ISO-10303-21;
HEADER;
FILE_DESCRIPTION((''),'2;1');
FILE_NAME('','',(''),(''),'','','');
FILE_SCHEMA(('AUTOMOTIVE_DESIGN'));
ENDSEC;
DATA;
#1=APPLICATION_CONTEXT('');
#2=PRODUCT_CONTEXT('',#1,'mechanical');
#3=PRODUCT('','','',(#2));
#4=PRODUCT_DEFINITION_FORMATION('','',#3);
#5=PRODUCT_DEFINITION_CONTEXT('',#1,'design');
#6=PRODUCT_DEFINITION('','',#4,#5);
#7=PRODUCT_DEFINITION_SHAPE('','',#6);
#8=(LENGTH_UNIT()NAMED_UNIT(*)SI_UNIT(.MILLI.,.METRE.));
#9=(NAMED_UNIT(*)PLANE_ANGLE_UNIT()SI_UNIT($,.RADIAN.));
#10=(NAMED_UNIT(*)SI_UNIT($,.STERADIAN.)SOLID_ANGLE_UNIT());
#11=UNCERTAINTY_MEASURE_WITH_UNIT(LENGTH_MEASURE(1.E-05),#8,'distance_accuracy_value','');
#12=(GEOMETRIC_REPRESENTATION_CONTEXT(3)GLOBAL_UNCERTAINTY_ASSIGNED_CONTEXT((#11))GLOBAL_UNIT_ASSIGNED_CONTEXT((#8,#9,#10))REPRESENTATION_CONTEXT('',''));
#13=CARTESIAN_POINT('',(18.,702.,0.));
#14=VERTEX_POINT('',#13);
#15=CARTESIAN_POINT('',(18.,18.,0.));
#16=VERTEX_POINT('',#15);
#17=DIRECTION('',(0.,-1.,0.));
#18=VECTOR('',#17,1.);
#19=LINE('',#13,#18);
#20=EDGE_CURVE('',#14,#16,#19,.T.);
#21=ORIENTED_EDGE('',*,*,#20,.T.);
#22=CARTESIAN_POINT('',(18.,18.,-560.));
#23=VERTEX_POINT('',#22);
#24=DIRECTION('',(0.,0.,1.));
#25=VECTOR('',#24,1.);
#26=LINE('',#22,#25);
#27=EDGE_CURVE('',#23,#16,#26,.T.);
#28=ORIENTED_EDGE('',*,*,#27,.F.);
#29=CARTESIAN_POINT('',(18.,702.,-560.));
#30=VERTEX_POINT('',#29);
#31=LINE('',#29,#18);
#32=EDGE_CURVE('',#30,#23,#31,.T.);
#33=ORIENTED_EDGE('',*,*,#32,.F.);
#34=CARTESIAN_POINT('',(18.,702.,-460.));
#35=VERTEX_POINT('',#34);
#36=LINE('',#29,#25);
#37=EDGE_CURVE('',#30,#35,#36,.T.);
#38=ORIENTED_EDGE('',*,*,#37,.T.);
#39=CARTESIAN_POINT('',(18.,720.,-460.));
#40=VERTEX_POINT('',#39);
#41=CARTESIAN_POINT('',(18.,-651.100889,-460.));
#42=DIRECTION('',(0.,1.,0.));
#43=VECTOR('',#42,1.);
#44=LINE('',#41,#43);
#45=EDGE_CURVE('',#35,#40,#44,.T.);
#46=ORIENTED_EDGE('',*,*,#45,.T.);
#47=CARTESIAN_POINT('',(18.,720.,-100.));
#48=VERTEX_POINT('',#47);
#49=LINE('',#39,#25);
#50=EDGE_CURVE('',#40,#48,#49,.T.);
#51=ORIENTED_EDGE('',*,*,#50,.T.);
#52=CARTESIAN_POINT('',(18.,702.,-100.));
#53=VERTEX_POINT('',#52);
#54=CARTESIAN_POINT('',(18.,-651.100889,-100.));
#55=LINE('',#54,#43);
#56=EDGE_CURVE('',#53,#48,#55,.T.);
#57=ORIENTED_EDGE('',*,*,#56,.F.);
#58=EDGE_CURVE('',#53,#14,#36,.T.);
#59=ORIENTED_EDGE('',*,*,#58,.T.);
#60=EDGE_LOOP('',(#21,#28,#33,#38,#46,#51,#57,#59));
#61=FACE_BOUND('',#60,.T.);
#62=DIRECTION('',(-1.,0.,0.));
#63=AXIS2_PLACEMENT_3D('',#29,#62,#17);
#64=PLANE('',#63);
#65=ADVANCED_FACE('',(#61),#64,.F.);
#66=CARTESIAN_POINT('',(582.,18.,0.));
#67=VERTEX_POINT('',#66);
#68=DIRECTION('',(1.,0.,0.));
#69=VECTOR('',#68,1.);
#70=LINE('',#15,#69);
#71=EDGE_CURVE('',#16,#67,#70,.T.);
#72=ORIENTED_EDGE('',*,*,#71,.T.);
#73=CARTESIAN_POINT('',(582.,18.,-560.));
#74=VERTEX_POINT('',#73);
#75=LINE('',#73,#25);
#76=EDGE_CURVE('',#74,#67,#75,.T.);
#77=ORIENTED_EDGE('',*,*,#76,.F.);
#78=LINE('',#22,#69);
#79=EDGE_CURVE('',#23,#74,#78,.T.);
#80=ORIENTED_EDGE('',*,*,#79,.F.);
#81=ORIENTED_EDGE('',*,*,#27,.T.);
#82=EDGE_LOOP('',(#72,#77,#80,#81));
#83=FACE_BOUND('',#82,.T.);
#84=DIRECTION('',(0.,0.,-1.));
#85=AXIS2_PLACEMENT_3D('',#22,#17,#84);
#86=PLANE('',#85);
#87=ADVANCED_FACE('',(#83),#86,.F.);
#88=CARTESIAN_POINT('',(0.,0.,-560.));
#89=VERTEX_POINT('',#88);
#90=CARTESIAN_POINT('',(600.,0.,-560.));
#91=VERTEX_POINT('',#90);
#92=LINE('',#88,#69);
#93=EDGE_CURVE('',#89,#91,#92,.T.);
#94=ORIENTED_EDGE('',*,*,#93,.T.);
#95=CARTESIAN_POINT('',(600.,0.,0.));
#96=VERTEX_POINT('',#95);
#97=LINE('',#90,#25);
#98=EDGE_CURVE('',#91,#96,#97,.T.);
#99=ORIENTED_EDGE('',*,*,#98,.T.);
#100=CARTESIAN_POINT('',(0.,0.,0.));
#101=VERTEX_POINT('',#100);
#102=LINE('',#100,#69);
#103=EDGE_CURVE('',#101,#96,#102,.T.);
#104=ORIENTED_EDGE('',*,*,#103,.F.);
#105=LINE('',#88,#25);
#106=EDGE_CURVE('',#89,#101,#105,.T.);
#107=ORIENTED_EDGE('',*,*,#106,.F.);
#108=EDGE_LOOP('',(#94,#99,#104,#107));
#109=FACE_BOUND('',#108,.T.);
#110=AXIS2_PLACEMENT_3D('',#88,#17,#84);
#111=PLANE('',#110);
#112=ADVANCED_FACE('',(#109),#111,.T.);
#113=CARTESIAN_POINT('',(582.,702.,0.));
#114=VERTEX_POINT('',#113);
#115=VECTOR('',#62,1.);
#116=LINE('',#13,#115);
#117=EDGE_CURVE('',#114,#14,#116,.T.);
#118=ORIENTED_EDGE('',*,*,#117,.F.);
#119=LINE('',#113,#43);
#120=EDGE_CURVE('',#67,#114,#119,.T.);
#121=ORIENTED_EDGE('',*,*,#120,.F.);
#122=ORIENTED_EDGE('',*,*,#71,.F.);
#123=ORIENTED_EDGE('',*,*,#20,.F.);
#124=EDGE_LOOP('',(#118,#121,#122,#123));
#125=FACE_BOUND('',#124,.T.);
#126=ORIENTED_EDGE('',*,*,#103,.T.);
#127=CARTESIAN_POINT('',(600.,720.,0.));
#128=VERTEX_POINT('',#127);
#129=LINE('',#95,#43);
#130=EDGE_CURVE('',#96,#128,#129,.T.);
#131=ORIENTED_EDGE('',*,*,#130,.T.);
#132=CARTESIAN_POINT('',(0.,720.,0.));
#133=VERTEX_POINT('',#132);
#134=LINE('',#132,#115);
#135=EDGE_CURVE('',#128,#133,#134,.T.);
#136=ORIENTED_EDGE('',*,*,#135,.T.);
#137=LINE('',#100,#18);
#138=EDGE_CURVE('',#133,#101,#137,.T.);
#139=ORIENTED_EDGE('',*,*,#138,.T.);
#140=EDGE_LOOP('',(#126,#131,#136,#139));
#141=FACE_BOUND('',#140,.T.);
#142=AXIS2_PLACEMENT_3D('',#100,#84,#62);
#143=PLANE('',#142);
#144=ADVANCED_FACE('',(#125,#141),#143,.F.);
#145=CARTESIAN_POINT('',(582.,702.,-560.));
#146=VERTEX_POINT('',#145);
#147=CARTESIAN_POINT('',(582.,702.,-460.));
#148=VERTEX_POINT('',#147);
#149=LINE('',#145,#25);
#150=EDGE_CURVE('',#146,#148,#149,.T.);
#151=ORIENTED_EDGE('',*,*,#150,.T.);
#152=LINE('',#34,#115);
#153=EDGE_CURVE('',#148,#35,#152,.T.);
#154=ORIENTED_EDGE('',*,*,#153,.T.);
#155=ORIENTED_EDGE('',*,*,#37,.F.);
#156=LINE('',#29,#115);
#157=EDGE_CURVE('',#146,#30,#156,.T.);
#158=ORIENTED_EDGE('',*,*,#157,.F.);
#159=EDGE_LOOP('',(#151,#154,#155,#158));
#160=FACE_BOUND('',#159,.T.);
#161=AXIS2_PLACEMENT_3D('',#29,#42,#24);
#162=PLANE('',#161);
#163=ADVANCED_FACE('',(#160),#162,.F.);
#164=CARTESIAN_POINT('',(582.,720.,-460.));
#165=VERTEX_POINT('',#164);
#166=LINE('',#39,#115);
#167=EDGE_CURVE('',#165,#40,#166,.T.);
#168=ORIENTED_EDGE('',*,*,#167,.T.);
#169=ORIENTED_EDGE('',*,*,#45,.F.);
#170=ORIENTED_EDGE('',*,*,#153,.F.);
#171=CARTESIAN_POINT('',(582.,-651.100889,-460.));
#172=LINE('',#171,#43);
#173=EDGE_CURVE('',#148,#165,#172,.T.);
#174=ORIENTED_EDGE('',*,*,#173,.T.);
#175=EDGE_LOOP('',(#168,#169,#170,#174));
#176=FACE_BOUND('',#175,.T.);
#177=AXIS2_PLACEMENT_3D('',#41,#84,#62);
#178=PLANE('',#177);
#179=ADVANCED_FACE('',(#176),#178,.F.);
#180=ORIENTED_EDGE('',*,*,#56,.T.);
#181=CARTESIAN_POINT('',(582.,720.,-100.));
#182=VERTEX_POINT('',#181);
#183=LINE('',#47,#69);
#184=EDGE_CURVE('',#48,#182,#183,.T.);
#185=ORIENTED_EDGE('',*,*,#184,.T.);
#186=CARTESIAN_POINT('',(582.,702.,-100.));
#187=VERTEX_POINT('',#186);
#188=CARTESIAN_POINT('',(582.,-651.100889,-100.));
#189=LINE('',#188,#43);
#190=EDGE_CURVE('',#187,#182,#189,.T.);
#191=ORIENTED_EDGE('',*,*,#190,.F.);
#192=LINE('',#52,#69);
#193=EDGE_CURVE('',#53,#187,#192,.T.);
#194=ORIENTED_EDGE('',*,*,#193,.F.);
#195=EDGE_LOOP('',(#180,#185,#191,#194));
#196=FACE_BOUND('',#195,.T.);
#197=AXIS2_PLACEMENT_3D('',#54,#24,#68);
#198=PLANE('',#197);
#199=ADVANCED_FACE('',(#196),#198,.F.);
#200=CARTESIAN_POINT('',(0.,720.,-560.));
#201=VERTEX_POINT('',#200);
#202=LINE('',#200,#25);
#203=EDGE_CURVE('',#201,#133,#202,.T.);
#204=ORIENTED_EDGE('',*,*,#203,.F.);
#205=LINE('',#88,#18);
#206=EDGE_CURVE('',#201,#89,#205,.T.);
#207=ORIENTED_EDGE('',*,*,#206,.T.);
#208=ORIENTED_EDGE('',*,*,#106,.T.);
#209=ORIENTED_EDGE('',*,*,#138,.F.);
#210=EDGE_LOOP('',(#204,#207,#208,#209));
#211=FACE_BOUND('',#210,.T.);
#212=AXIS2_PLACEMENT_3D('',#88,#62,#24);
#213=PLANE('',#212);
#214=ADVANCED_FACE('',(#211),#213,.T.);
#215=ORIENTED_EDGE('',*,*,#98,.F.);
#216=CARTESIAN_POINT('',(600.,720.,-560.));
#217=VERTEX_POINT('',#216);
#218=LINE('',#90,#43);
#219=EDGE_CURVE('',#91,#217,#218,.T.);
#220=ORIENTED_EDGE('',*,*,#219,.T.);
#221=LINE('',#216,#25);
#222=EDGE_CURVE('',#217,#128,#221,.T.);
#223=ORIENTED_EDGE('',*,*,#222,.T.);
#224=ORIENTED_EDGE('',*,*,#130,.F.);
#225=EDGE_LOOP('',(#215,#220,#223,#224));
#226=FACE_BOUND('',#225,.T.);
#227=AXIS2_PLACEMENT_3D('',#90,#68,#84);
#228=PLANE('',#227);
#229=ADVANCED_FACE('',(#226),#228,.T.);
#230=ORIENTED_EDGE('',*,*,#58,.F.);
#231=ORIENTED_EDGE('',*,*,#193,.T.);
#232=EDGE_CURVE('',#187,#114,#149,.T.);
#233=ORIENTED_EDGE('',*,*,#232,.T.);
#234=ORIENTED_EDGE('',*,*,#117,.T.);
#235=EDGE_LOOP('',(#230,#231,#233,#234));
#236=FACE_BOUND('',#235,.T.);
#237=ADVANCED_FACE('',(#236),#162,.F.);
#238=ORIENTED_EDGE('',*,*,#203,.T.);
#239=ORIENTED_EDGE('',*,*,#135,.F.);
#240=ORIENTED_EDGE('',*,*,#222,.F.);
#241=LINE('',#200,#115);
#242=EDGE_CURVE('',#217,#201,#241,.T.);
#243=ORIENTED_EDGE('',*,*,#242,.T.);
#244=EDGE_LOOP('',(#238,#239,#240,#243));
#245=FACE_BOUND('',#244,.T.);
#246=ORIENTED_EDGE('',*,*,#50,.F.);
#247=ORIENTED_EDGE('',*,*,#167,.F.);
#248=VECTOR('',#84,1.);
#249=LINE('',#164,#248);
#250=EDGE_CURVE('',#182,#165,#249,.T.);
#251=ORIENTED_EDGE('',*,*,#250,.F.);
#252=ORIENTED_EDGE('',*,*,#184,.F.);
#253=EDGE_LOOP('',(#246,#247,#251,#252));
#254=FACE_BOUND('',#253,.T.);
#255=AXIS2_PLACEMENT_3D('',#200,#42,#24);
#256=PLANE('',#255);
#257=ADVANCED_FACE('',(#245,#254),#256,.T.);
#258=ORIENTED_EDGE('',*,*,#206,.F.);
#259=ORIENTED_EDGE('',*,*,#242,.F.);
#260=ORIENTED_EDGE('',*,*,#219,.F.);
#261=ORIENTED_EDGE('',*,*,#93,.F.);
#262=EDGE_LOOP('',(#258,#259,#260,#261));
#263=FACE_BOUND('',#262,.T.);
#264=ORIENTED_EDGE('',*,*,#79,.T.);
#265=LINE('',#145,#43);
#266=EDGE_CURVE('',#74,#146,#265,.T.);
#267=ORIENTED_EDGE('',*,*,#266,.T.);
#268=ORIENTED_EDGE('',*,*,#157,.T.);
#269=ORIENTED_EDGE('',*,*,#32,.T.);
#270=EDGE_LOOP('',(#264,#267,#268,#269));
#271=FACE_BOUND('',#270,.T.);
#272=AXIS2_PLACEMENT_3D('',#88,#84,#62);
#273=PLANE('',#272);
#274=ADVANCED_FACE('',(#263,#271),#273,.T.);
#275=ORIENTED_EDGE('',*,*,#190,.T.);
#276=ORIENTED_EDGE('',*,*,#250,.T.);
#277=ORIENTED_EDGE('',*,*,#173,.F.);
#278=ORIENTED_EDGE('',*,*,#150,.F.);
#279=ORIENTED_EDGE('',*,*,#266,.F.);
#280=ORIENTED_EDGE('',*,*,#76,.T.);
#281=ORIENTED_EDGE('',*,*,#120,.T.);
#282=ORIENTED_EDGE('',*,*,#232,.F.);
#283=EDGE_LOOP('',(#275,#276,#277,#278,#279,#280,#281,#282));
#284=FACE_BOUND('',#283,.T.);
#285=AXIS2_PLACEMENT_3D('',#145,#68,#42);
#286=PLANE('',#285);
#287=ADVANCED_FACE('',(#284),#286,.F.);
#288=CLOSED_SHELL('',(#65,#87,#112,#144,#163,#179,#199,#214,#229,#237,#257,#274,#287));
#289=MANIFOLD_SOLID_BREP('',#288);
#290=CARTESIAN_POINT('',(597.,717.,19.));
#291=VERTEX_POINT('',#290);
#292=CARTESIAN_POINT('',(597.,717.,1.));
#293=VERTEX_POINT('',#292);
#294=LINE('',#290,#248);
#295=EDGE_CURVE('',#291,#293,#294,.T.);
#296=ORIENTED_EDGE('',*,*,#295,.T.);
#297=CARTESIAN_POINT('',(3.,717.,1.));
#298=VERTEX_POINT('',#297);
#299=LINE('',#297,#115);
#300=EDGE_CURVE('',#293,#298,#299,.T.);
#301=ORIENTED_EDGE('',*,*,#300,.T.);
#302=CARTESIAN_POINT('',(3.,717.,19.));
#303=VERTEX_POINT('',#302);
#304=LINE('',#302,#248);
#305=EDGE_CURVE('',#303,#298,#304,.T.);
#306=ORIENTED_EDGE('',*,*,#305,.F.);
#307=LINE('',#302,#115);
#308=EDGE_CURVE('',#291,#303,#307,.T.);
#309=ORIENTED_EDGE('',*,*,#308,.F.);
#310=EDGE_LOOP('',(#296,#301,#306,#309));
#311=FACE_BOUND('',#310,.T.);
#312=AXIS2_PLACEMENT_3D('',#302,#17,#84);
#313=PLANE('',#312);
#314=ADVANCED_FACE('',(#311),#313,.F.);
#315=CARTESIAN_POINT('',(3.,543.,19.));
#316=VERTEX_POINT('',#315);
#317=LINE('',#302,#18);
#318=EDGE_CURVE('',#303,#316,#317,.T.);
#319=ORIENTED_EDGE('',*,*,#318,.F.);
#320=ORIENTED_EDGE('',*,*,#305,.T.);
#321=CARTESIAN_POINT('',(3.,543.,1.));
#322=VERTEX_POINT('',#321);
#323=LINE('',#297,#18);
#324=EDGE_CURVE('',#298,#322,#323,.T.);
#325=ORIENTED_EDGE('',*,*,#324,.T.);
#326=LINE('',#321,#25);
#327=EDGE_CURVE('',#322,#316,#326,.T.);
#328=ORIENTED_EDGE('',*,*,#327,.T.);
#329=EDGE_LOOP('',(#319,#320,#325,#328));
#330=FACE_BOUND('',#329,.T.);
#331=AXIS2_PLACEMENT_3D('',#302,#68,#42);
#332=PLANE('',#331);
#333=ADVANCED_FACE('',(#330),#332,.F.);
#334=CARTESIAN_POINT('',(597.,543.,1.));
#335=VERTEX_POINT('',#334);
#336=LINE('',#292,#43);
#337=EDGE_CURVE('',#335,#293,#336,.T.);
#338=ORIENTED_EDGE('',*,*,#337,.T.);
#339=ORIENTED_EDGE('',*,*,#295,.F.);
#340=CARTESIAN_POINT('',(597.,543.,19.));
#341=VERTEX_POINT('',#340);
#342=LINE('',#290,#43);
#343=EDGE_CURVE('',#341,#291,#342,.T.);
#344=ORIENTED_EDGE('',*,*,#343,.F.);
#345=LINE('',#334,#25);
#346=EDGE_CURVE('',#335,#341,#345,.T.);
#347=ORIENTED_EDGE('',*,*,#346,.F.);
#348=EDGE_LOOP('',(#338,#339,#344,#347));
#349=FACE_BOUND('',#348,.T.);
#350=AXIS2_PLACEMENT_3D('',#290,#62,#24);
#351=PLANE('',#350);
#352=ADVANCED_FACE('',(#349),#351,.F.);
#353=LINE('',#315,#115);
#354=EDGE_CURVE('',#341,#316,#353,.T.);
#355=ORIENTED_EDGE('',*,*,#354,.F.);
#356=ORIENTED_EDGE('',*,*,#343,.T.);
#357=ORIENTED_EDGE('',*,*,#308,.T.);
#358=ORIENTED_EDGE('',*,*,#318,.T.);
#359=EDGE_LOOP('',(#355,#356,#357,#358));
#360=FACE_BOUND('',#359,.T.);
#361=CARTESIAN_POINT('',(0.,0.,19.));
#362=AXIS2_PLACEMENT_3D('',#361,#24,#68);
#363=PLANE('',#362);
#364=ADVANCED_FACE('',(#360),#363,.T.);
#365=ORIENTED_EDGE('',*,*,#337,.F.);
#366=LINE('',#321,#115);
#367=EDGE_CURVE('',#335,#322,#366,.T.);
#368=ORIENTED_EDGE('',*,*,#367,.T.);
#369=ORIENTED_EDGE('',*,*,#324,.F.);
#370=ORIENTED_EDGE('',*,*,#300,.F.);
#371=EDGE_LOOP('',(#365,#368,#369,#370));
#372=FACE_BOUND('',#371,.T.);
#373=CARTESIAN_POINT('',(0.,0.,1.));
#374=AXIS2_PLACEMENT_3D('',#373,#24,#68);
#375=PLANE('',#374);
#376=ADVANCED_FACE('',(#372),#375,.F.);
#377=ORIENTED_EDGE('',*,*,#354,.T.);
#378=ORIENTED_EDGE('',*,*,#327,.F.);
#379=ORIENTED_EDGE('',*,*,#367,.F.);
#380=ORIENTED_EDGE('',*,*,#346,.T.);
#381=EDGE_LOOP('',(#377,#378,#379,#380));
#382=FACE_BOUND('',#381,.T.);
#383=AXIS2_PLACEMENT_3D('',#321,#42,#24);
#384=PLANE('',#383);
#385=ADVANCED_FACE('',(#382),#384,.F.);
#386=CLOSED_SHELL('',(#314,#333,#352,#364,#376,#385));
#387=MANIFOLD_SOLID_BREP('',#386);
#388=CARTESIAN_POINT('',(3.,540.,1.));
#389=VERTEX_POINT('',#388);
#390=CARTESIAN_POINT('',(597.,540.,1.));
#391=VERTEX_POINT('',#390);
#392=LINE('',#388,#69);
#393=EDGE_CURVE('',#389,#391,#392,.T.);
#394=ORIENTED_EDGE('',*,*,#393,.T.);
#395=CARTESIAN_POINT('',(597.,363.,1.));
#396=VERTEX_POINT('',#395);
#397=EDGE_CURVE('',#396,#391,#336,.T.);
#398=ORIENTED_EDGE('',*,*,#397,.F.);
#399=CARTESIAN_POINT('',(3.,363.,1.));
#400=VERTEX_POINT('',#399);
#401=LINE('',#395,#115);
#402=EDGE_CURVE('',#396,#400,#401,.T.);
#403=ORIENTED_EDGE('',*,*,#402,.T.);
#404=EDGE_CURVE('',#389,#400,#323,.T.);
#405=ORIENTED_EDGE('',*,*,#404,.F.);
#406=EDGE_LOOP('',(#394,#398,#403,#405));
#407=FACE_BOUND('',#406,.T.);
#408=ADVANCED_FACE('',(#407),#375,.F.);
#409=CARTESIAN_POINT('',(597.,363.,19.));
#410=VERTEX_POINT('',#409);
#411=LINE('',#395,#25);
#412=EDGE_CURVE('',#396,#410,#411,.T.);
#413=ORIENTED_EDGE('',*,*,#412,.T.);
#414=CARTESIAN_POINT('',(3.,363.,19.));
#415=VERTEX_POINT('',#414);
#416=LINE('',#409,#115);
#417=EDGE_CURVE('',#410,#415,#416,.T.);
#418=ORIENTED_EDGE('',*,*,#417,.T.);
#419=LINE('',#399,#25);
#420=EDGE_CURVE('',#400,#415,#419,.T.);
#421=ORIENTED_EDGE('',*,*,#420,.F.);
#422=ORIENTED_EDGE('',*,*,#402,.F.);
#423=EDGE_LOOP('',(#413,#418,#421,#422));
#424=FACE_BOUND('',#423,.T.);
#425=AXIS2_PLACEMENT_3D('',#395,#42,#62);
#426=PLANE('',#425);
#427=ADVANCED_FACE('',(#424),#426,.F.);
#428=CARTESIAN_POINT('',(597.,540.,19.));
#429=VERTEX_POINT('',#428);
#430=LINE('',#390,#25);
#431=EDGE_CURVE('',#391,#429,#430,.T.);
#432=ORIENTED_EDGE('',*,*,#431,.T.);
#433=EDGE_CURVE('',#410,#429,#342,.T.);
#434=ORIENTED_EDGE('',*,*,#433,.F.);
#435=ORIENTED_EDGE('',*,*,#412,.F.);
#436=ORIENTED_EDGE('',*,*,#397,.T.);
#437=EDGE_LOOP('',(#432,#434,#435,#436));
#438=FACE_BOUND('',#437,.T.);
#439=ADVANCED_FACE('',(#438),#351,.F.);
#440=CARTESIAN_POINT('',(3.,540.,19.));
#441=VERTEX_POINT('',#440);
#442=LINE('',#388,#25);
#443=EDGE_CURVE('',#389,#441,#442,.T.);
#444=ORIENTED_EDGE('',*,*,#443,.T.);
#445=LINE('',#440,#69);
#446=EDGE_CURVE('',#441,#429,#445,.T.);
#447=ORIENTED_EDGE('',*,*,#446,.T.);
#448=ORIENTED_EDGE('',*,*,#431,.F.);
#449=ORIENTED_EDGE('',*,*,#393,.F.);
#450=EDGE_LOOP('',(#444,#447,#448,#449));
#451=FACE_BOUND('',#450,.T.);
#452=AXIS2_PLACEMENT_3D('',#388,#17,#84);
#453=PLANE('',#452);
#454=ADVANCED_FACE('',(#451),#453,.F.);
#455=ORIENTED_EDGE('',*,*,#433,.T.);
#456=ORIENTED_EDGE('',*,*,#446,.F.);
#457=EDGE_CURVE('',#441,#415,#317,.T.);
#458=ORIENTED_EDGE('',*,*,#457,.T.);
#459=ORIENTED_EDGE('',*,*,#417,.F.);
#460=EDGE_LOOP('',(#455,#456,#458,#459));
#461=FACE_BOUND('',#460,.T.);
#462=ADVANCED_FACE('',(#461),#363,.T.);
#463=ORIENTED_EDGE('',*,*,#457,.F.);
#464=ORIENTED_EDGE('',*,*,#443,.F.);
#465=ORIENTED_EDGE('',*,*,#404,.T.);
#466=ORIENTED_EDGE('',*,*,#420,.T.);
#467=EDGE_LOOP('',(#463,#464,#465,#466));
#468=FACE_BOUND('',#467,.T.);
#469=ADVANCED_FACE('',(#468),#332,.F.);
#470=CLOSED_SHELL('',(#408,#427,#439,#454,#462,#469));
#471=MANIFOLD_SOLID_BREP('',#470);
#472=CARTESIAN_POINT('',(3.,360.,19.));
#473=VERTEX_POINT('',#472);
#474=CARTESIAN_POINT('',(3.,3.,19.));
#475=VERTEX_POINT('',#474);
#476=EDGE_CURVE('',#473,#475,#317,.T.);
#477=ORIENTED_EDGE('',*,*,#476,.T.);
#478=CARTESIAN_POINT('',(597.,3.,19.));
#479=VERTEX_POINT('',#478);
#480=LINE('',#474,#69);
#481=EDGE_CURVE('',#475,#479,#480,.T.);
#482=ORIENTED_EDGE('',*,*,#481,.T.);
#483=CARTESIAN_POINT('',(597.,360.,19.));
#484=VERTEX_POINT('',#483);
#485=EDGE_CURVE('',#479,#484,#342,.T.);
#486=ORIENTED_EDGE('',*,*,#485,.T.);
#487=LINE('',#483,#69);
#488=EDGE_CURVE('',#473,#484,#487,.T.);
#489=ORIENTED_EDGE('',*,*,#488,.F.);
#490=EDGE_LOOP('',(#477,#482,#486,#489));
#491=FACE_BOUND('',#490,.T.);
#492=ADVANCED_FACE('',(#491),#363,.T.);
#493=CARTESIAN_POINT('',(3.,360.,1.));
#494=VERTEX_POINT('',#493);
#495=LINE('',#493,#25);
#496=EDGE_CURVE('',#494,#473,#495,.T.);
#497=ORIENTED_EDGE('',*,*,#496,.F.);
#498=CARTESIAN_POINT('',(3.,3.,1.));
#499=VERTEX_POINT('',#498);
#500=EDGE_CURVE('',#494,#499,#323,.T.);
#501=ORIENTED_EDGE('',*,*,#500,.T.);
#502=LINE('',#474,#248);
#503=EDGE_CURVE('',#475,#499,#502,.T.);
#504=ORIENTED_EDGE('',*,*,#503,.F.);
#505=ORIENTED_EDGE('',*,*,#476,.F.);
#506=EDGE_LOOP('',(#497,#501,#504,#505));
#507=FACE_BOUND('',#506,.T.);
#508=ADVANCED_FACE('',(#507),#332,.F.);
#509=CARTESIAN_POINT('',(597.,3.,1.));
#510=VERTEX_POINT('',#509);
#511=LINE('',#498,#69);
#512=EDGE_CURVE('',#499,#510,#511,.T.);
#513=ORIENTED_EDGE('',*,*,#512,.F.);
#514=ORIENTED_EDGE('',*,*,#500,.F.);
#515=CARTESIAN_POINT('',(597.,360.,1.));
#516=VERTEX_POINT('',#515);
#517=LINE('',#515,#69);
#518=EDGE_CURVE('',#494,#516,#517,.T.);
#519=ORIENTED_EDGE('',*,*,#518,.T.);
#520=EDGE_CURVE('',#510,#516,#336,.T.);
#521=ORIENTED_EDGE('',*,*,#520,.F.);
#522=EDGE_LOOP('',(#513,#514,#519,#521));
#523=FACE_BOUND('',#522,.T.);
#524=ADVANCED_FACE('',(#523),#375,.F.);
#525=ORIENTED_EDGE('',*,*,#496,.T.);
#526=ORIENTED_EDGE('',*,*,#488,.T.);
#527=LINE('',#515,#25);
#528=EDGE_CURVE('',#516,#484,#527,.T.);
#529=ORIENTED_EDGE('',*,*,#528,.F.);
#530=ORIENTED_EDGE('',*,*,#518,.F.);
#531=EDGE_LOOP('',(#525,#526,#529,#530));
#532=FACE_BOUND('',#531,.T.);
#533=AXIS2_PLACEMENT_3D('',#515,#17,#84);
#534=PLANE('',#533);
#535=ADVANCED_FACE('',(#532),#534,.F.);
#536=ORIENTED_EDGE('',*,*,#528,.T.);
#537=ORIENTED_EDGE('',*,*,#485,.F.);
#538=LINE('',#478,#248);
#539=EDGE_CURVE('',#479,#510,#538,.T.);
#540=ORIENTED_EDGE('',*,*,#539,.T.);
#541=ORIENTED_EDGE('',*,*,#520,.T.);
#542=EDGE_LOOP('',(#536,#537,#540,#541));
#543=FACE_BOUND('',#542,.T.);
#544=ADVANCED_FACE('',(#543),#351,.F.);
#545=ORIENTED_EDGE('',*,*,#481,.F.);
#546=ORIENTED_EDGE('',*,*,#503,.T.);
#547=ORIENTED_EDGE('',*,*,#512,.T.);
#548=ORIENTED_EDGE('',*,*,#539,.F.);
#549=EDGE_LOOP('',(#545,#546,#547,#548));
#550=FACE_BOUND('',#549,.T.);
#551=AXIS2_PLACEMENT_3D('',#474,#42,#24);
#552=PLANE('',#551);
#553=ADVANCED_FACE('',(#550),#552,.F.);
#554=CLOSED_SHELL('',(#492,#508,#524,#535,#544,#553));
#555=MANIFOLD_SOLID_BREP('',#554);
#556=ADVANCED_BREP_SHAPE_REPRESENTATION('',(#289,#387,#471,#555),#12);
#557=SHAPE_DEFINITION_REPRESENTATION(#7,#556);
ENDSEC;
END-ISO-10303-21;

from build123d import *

# Parameters (mm, degrees)
SKETCH1_W           = 600
SKETCH1_H           = 720
BOSS_EXTRUDE1_DEPTH = 560
SKETCH2_W           = 564
SKETCH2_H           = 684
CUT_EXTRUDE1_DEPTH  = 561
SKETCH3_W           = 564
SKETCH3_H           = 360
CUT_EXTRUDE2_DEPTH  = 702
SKETCH4_W           = 594
SKETCH4_H           = 714
BOSS_EXTRUDE2_DEPTH = 18
SKETCH5_W           = 594
SKETCH5_H           = 3
CUT_EXTRUDE3_DEPTH  = 18
SKETCH6_W           = 594
SKETCH6_H           = 3
CUT_EXTRUDE4_DEPTH  = 18


with BuildPart() as part:
    # Sketch1 → Boss-Extrude1 (new body)
    with BuildSketch(Plane.XY):
        with Locations((300, 360)):
            Rectangle(SKETCH1_W, SKETCH1_H)
    extrude(amount=-BOSS_EXTRUDE1_DEPTH)

    # Sketch2 → Cut-Extrude1 (cut, through all)
    with BuildSketch(Plane.XY):
        with Locations((300, 360)):
            Rectangle(SKETCH2_W, SKETCH2_H)
    extrude(amount=-CUT_EXTRUDE1_DEPTH, mode=Mode.SUBTRACT)

    # Sketch3 → Cut-Extrude2 (cut)
    with BuildSketch(Plane(origin=(0, 720, 0), x_dir=(1, 0, 0), z_dir=(0, 1, 0))):
        with Locations((300, 280)):
            Rectangle(SKETCH3_W, SKETCH3_H)
    extrude(amount=-CUT_EXTRUDE2_DEPTH, mode=Mode.SUBTRACT)


with BuildPart() as body_2:
    # Sketch4 → Boss-Extrude2 (new body)
    with BuildSketch(Plane.XY.offset(1)):
        with Locations((300, 360)):
            Rectangle(SKETCH4_W, SKETCH4_H)
    extrude(amount=BOSS_EXTRUDE2_DEPTH)

    # Sketch5 → Cut-Extrude3 (cut)
    with BuildSketch(Plane.XY.offset(19)):
        with Locations((300, 361.5)):
            Rectangle(SKETCH5_W, SKETCH5_H)
    extrude(amount=-CUT_EXTRUDE3_DEPTH, mode=Mode.SUBTRACT)

    # Sketch6 → Cut-Extrude4 (cut)
    with BuildSketch(Plane.XY.offset(19)):
        with Locations((300, 541.5)):
            Rectangle(SKETCH6_W, SKETCH6_H)
    extrude(amount=-CUT_EXTRUDE4_DEPTH, mode=Mode.SUBTRACT)


solid = Compound([part.part, body_2.part])
